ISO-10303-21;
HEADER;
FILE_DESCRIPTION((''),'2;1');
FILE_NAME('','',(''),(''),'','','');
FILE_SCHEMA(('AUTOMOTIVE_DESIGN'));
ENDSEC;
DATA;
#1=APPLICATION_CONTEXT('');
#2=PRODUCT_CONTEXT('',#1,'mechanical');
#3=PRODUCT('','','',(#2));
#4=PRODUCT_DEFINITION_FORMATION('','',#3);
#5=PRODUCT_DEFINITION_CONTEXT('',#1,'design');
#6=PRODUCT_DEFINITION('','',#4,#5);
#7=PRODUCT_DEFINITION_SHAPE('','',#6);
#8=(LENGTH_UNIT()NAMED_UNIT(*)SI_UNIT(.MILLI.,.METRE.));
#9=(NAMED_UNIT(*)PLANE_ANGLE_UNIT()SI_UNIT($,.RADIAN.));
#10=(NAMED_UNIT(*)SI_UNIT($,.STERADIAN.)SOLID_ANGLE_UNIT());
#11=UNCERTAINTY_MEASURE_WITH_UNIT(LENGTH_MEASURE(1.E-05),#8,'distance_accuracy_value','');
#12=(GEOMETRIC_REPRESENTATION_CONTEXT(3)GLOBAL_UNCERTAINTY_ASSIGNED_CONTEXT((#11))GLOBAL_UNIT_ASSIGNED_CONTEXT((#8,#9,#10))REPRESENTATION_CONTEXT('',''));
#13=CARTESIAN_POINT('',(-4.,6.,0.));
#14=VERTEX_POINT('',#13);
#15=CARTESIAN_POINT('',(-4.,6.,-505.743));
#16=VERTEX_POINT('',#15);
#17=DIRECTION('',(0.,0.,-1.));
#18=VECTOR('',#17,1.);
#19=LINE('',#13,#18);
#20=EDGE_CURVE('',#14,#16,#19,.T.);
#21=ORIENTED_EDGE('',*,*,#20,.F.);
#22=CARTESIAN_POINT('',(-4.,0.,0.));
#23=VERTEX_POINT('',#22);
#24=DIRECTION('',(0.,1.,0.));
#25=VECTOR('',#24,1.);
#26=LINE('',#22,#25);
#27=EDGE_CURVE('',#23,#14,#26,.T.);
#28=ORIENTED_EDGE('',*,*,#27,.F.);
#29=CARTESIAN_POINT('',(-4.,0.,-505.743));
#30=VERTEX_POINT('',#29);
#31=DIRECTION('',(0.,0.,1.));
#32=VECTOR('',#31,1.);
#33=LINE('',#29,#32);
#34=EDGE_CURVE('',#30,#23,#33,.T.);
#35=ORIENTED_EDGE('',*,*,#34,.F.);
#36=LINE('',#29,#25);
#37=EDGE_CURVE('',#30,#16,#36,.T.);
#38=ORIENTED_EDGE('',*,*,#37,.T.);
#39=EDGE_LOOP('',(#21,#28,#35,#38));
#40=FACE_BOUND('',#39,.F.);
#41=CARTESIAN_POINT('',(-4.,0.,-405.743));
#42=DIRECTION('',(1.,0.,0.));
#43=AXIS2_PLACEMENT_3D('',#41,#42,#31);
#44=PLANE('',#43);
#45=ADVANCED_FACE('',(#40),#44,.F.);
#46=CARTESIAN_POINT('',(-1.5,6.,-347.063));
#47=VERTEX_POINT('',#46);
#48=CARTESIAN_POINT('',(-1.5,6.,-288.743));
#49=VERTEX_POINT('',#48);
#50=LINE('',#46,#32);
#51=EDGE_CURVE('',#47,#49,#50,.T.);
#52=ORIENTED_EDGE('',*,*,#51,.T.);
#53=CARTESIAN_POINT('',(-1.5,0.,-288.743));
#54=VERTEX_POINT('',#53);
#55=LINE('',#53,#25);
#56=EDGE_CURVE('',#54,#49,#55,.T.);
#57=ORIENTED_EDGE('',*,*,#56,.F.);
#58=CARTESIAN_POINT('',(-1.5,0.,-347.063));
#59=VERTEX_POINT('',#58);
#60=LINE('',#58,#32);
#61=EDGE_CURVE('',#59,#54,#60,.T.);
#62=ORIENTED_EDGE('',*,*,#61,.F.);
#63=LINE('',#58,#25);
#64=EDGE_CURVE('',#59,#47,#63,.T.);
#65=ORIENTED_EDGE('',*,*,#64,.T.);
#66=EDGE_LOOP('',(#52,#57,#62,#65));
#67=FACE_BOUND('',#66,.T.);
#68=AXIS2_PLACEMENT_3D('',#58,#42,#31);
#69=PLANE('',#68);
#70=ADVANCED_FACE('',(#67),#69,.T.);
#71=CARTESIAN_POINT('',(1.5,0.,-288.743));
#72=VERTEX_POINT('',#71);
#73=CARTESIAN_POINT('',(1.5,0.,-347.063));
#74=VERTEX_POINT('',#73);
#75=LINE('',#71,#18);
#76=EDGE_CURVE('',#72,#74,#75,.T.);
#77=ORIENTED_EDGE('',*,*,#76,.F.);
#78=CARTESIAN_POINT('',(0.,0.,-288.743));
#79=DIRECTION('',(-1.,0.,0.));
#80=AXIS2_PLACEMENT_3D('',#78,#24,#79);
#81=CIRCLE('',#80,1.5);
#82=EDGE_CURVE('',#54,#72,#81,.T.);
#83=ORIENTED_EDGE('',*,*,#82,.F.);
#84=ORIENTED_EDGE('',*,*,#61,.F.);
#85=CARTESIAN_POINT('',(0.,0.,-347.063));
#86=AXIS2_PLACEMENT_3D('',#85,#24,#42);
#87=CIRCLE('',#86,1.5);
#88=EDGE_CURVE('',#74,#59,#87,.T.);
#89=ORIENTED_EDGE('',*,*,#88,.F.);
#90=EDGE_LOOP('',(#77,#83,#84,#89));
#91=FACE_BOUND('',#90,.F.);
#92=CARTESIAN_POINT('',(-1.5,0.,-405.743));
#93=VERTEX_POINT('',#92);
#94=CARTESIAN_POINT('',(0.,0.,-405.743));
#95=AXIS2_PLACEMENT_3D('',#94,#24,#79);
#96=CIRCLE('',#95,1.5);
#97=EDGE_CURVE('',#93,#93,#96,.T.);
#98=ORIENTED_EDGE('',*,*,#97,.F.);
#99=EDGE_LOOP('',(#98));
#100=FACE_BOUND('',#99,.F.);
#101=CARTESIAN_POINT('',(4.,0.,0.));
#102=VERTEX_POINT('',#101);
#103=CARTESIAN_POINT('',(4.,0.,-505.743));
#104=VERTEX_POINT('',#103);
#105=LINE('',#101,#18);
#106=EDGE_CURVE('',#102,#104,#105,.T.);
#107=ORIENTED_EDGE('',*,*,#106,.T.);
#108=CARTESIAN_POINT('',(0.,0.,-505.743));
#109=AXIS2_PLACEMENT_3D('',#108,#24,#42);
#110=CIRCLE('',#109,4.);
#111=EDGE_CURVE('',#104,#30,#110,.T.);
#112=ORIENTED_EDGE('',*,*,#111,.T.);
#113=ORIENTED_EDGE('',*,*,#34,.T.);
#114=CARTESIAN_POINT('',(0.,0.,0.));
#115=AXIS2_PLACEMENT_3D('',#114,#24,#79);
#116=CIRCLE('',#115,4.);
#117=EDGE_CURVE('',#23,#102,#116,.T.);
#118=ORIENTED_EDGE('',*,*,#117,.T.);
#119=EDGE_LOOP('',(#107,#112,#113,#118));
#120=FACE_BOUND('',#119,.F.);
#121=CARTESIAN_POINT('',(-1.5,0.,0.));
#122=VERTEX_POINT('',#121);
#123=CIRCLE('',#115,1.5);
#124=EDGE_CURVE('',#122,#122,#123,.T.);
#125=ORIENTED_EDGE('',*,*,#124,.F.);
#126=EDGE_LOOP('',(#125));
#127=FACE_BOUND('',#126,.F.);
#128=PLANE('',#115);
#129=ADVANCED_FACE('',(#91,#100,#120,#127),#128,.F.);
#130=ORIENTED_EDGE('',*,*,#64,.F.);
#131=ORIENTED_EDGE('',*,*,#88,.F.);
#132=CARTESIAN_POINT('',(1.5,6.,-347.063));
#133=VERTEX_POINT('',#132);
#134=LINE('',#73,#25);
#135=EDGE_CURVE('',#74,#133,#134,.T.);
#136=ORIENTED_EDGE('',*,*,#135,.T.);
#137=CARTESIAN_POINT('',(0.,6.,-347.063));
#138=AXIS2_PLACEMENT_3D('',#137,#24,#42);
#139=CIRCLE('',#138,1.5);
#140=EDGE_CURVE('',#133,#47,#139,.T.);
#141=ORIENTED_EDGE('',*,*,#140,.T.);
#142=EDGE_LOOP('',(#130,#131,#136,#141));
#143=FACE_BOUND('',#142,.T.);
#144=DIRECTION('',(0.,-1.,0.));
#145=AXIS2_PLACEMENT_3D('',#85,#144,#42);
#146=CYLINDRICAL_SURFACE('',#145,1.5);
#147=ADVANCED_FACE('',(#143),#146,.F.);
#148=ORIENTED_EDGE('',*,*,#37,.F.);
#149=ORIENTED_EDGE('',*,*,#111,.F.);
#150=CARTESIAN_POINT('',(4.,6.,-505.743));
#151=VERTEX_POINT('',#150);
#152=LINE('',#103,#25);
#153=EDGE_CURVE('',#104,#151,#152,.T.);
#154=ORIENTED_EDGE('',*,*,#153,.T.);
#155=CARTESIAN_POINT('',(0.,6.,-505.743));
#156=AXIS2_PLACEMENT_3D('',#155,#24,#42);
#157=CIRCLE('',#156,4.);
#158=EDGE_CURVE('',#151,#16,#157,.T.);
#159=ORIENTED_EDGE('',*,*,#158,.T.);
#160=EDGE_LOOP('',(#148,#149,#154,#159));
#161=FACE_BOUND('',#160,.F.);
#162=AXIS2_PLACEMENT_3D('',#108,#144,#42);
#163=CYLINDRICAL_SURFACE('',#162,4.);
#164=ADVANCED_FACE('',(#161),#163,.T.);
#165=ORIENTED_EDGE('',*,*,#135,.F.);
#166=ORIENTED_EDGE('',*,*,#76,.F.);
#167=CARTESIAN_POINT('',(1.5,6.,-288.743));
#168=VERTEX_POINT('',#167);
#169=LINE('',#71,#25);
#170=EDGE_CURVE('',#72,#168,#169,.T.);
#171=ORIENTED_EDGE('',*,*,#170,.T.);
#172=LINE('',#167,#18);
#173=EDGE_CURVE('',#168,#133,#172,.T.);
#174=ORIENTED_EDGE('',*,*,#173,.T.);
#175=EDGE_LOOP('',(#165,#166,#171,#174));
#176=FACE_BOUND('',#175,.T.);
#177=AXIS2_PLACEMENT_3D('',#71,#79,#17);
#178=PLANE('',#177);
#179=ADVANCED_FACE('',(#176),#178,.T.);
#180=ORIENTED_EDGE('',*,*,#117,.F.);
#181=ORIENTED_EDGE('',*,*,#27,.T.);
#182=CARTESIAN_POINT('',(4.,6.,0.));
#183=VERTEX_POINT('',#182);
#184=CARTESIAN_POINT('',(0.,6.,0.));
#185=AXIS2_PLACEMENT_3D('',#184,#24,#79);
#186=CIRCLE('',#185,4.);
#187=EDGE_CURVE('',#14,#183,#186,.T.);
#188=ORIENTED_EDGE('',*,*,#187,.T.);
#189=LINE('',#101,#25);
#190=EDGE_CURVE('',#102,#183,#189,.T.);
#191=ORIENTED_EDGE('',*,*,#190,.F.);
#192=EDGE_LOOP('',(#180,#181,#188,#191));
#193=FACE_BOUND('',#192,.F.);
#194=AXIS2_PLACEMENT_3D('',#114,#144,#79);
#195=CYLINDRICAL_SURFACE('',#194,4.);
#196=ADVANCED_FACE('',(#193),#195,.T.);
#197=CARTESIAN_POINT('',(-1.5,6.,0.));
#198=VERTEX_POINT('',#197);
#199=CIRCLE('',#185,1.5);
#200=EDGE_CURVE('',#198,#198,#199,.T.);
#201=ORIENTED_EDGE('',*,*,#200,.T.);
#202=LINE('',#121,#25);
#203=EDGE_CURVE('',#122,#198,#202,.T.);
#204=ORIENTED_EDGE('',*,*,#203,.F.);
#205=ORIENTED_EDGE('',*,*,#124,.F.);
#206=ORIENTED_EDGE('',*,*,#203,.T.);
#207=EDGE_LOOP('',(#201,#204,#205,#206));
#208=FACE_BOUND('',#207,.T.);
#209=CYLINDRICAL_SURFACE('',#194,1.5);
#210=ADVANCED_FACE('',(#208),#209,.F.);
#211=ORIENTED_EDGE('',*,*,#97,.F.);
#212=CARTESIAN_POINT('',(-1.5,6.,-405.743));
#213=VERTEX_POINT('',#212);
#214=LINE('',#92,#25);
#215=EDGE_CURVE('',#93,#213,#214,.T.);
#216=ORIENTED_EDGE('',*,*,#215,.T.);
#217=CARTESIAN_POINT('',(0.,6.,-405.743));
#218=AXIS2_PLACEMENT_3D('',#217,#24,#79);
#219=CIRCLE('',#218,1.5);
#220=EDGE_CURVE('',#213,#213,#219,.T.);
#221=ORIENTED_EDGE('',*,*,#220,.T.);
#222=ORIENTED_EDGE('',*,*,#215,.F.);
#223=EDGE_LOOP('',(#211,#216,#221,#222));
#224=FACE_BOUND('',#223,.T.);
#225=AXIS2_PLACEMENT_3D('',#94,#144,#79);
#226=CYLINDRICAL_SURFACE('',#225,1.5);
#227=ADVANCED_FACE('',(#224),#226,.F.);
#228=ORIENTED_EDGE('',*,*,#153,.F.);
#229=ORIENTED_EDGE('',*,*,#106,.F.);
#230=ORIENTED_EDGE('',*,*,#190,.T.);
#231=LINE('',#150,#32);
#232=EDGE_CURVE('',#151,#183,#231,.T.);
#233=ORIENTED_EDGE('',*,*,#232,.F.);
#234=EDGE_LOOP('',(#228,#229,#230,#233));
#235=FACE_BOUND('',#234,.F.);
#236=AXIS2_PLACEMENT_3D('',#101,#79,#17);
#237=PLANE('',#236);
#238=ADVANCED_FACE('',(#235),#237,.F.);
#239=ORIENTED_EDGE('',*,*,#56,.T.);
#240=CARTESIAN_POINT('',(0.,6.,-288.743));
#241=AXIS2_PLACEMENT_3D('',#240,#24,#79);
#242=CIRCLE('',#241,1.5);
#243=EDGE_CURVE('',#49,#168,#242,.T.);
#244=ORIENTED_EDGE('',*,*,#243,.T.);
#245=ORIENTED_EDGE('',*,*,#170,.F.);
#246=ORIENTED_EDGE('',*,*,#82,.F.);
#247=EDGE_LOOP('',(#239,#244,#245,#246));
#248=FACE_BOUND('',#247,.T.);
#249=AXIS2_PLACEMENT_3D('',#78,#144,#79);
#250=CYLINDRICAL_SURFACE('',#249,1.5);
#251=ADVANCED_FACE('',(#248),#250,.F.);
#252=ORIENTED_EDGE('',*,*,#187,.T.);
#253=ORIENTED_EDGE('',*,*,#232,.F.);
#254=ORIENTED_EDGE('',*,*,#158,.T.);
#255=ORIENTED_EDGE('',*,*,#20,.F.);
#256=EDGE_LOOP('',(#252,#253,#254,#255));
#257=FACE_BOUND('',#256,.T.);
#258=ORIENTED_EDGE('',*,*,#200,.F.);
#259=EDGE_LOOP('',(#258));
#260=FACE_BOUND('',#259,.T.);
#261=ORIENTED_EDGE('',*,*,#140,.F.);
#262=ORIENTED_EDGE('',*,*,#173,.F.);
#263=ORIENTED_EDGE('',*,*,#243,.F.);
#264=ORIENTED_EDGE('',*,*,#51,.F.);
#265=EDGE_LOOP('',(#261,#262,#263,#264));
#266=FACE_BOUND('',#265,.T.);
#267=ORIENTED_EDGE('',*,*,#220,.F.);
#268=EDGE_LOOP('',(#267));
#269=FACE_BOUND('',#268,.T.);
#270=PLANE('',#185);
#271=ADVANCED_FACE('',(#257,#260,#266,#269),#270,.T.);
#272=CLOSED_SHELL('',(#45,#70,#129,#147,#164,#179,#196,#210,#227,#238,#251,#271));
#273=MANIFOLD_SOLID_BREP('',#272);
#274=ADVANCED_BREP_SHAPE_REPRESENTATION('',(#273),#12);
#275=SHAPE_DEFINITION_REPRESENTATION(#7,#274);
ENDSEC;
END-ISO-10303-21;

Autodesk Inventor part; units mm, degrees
ref_plane "XZ Plane" through (0, 0, 0) normal (0, 1, 0) x (-1, 0, 0)
ref_plane "XY Plane" through (0, 0, 0) normal (0, 0, 1) x (1, 0, 0)
sketch "Sketch1" plane through (0, 0, 0) normal (0, 1, 0) x (-1, 0, 0)
  line L0 (0, 0) -> (0, -405.743) construction
  line L1 (-4, 0) -> (-4, -405.743)
  line L2 (4, -405.743) -> (4, 0)
  arc A0 (4, 0) -> (-4, 0) centre (0, 0) ccw
  arc A1 (-4, -405.743) -> (4, -405.743) centre (0, -405.743) ccw
  circle A2 centre (0, 0) radius 1.5
  circle A3 centre (0, -405.743) radius 1.5
  line L3 (0, -347.063) -> (0, -288.743) construction
  line L4 (1.5, -347.063) -> (1.5, -288.743)
  line L5 (-1.5, -288.743) -> (-1.5, -347.063)
  arc A4 (-1.5, -347.063) -> (1.5, -347.063) centre (0, -347.063) ccw
  arc A5 (1.5, -288.743) -> (-1.5, -288.743) centre (0, -288.743) ccw
  line L6 (0, -405.743) -> (0, -505.743) construction
  line L7 (-4, -405.743) -> (-4, -505.743)
  line L8 (4, -505.743) -> (4, -405.743)
  arc A6 (4, -405.743) -> (-4, -405.743) centre (0, -405.743) ccw
  arc A7 (-4, -505.743) -> (4, -505.743) centre (0, -505.743) ccw
  point P0 (0, -202.8715)
  point P1 (0, -317.903)
  point P2 (0, -455.743)
  dimension "d0" = 8
  dimension "d1" = 405.743
  dimension "d2" = 3
  dimension "d3" = 3
  dimension "d20" = 3
  dimension "d21" = 58.68
  dimension "d22" = 117
  dimension "d23" = 8
  dimension "d24" = 100
extrude "Extrusion1" add sketch "Sketch1" along normal blind 6
sketch "Sketch2" plane through (0, 6, 0) normal (0, 1, 0) x (1, 0, 0)
  line L0 (-4, 505.743) -> (-4, 0) projected
  arc A0 (-4, 0) -> (4, 0) centre (0, 0) ccw projected
  line L1 (4, 0) -> (4, 505.743) projected
  arc A1 (4, 505.743) -> (-4, 505.743) centre (0, 505.743) ccw projected
  arc A2 (1.5, 347.063) -> (-1.5, 347.063) centre (0, 347.063) ccw projected
  line L2 (1.5, 347.063) -> (1.5, 288.743) projected
  arc A3 (-1.5, 288.743) -> (1.5, 288.743) centre (0, 288.743) ccw projected
  line L3 (-1.5, 288.743) -> (-1.5, 347.063) projected
  circle A4 centre (0, 405.743) radius 1.5 projected
  circle A5 centre (0, 0) radius 1.5 projected
  line L4 (-4, 505.743) -> (-4, 0) projected
  line L5 (-4, 252.8715) -> (0, 244.2935)
  line L6 (0, 244.2935) -> (4, 252.8715)
  line L7 (4, 0) -> (4, 505.743) projected
  dimension "d25" = 25
  dimension "d26" = 25
extrude "Extrusion2" [suppressed]
